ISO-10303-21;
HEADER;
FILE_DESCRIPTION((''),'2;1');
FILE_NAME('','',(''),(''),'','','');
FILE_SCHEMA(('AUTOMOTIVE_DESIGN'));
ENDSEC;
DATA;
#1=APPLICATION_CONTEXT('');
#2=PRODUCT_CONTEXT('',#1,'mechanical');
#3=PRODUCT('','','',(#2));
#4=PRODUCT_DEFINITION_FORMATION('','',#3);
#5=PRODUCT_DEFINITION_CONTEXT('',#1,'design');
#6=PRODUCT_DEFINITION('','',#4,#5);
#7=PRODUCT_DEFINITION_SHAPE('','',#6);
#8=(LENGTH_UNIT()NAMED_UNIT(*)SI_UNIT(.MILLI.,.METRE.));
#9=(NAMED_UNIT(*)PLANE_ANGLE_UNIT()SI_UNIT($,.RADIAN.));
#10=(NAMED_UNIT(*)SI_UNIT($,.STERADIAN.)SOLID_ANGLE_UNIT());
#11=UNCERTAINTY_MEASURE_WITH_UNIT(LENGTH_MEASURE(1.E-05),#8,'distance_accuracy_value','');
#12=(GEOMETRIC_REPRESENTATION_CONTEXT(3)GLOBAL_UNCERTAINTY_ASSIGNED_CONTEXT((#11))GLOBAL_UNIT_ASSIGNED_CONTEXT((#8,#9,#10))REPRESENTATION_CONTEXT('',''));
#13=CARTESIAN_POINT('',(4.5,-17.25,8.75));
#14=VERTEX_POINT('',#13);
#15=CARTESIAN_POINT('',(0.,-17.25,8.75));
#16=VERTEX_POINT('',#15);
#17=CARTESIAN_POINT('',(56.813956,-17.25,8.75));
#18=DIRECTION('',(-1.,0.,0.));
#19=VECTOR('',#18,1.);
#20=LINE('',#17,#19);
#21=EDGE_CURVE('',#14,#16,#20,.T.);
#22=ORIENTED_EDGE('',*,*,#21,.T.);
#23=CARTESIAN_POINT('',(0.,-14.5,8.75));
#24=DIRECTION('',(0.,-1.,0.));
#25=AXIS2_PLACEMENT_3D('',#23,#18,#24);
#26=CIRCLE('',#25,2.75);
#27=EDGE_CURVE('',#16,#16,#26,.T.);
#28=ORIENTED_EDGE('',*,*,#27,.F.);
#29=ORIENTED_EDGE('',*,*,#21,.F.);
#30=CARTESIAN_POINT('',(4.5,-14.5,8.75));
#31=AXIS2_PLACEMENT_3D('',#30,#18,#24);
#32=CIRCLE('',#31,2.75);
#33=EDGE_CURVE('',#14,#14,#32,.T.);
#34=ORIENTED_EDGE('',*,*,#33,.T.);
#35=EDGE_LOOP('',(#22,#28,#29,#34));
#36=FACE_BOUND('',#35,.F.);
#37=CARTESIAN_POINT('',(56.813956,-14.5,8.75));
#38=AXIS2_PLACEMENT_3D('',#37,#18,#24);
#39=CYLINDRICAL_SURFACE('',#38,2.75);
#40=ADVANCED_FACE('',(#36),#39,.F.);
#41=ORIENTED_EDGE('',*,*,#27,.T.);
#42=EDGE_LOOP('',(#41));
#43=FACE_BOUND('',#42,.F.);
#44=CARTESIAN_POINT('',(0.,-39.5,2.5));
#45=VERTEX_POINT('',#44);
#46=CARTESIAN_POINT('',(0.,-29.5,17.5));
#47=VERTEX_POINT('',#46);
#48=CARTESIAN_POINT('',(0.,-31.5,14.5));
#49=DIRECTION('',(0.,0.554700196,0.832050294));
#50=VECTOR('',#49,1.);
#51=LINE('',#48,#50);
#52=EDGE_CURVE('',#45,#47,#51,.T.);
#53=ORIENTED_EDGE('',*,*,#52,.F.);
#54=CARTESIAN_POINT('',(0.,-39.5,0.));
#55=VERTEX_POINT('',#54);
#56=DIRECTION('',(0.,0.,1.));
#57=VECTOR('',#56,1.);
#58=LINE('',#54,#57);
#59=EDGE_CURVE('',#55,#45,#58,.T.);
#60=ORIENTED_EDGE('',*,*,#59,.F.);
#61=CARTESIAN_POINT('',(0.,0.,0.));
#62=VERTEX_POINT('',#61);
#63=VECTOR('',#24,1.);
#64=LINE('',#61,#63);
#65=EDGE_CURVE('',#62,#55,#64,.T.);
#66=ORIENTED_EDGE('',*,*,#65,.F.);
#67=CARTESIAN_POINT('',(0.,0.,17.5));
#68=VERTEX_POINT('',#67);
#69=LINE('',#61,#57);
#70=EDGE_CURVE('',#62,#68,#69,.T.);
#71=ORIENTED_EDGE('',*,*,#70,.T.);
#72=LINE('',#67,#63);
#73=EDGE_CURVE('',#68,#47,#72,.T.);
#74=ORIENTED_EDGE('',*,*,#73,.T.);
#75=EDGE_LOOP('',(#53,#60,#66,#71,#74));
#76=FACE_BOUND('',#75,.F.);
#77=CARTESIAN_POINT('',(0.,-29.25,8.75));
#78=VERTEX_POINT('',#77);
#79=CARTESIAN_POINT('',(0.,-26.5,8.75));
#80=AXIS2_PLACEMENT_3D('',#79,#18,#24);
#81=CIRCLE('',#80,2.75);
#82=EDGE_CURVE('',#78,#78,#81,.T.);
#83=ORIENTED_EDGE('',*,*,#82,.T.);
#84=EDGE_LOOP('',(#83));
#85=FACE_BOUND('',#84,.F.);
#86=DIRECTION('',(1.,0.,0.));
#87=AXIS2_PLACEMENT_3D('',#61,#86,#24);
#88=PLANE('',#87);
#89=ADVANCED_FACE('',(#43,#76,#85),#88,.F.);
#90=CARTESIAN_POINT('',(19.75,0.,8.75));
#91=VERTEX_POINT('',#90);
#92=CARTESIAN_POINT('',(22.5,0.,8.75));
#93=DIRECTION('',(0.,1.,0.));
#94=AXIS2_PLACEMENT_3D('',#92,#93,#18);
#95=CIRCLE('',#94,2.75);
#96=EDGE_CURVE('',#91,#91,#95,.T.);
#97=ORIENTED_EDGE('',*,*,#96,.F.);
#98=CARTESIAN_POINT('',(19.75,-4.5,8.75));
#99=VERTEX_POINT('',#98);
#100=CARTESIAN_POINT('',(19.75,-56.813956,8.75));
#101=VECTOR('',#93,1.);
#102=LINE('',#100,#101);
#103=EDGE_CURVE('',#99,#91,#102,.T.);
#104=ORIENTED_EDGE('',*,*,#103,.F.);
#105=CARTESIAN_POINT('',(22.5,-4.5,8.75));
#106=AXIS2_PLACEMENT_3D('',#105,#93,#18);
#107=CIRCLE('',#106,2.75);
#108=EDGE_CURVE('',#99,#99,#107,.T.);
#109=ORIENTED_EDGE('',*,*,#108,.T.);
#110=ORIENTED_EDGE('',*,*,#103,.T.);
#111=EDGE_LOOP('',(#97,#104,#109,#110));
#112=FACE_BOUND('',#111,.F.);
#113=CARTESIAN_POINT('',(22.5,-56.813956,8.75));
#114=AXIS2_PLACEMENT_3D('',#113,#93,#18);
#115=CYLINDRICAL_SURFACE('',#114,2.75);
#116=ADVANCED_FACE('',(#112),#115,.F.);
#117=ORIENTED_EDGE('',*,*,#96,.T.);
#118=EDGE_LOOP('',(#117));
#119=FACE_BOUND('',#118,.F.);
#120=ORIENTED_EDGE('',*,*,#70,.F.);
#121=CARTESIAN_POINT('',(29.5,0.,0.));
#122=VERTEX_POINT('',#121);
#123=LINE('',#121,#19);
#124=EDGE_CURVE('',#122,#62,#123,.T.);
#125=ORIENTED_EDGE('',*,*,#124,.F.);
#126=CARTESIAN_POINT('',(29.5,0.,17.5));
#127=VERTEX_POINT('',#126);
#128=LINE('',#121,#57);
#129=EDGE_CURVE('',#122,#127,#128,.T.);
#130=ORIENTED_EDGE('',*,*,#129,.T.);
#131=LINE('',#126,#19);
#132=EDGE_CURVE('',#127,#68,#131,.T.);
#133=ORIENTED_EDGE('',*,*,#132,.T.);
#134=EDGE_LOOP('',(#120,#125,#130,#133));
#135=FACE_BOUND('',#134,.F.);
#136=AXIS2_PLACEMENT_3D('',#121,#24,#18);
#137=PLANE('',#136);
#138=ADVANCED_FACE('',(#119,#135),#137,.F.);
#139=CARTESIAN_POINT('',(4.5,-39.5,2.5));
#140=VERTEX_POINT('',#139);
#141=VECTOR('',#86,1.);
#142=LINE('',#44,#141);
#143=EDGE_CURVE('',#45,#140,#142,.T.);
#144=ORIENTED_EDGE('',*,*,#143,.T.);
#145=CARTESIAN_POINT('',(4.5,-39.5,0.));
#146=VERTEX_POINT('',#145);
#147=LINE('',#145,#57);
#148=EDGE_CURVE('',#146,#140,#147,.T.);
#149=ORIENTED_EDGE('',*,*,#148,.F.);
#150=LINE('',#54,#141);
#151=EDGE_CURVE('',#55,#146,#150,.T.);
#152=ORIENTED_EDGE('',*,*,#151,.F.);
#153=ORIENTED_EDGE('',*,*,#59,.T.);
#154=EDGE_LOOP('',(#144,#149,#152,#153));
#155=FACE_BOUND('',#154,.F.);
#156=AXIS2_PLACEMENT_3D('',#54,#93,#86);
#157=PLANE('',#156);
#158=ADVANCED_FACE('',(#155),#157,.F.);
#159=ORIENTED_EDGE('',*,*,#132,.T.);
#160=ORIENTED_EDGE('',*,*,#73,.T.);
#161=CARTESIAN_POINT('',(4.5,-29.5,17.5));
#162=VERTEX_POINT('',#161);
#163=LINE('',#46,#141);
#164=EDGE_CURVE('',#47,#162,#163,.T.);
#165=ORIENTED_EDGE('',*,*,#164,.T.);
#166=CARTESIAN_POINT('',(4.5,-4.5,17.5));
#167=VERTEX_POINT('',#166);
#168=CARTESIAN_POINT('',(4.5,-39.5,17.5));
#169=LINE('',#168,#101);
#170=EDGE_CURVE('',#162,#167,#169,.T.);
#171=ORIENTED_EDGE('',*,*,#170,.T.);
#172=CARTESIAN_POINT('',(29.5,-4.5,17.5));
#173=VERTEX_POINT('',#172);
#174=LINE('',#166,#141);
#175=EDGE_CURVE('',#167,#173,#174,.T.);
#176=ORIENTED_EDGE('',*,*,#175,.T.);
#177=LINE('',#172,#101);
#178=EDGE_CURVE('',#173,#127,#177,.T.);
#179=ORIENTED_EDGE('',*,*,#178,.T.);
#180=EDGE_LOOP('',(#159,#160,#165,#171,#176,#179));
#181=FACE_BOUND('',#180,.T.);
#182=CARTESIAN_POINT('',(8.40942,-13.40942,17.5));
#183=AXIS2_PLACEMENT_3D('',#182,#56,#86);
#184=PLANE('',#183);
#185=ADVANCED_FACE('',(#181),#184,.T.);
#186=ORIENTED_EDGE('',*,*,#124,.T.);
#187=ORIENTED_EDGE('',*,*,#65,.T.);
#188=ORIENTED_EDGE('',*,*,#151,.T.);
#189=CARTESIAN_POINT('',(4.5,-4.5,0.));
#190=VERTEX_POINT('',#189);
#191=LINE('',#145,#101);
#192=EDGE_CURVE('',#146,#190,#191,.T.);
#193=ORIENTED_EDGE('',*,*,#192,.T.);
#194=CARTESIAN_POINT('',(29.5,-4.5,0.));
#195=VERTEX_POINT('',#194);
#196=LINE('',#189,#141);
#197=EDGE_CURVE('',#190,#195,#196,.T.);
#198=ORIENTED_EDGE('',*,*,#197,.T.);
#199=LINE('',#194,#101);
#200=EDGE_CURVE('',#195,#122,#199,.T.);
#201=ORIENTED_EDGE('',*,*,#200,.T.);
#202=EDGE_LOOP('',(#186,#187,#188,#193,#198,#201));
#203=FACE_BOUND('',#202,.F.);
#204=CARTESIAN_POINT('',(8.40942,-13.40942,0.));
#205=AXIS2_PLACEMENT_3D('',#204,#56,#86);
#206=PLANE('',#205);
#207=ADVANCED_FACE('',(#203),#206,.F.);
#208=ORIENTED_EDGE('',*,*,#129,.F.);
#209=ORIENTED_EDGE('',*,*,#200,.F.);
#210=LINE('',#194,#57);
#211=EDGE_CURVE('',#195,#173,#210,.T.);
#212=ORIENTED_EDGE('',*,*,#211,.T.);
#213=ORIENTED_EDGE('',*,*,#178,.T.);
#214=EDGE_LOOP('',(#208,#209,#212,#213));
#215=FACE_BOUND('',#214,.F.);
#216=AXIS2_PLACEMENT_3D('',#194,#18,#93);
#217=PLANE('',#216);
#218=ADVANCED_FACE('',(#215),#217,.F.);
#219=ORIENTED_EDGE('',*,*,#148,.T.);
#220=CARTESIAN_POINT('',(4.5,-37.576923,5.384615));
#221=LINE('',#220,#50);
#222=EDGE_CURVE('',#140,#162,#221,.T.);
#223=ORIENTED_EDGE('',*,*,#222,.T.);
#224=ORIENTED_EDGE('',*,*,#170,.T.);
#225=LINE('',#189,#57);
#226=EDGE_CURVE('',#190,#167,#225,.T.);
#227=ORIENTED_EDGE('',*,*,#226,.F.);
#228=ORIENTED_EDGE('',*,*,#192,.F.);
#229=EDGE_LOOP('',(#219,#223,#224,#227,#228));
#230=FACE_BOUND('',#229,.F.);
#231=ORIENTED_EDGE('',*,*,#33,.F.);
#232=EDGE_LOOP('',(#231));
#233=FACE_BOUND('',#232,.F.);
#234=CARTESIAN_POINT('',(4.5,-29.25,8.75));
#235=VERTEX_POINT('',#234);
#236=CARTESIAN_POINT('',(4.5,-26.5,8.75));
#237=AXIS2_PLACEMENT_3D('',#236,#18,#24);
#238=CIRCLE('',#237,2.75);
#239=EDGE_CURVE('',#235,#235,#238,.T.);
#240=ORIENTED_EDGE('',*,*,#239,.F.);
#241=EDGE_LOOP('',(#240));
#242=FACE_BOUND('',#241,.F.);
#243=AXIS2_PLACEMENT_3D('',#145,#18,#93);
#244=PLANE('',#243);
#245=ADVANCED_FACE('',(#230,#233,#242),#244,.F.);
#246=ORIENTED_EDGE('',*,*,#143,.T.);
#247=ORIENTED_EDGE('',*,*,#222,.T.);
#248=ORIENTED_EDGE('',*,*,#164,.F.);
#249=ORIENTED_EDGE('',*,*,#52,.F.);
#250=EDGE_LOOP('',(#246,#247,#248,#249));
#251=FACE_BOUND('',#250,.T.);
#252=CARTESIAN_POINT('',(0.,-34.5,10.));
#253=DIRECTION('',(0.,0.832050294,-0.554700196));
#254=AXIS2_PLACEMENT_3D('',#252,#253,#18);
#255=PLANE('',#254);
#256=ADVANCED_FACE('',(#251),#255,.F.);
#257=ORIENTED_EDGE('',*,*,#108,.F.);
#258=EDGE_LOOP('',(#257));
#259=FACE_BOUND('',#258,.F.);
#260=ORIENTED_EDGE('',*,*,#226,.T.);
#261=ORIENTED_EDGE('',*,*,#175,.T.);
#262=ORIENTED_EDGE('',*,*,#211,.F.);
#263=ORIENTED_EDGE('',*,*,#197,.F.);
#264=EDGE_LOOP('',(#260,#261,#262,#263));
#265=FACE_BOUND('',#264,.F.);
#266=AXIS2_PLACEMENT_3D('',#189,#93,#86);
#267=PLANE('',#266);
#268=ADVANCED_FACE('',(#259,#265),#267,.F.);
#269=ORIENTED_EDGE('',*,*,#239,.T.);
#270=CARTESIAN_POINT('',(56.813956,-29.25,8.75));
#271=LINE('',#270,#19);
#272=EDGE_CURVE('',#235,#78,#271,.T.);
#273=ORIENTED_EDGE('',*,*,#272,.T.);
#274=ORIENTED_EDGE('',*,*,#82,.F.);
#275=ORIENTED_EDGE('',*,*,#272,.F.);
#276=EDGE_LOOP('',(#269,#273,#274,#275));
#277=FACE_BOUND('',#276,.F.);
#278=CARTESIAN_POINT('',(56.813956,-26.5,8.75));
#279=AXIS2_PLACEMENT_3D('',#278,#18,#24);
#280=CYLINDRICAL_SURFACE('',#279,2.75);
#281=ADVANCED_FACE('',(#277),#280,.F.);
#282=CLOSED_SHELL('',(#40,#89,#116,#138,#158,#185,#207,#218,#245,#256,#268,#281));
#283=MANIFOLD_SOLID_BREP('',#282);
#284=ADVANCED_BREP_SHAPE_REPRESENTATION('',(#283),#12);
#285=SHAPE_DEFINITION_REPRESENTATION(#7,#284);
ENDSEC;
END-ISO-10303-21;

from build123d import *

# Parameters (mm, degrees)
F1_DEPTH = 17.5
F3_D     = 5.5
F4_SIZE2 = 10
F4_SIZE  = 15
F6_D     = 5.5


with BuildPart() as f1:
    # F0 (on Top) → F1 (new body)
    with BuildSketch(Plane.XY):
        Polygon((29.5, 0), (0, 0), (0, -39.5), (4.5, -39.5), (4.5, -4.5), (29.5, -4.5), align=None)
    extrude(amount=F1_DEPTH)

    # F3 (through all)
    with Locations(Plane.XZ.offset(4.5)):
        with Locations((22.5, 8.75)):
            Hole(F3_D / 2)

    # F4
    f4_edges = [f1.edges().sort_by_distance(p)[0] for p in [
        (2.25, -39.5, 17.5),
    ]]
    f4_side = f1.faces().sort_by_distance((2.25, -39.5, 8.75))[0]
    chamfer(f4_edges, length=F4_SIZE, length2=F4_SIZE2, reference=f4_side)

    # F6 (through all)
    with Locations(Plane.YZ.offset(4.5)):
        with Locations((-14.5, 8.75), (-26.5, 8.75)):
            Hole(F6_D / 2)


solid = f1.part
